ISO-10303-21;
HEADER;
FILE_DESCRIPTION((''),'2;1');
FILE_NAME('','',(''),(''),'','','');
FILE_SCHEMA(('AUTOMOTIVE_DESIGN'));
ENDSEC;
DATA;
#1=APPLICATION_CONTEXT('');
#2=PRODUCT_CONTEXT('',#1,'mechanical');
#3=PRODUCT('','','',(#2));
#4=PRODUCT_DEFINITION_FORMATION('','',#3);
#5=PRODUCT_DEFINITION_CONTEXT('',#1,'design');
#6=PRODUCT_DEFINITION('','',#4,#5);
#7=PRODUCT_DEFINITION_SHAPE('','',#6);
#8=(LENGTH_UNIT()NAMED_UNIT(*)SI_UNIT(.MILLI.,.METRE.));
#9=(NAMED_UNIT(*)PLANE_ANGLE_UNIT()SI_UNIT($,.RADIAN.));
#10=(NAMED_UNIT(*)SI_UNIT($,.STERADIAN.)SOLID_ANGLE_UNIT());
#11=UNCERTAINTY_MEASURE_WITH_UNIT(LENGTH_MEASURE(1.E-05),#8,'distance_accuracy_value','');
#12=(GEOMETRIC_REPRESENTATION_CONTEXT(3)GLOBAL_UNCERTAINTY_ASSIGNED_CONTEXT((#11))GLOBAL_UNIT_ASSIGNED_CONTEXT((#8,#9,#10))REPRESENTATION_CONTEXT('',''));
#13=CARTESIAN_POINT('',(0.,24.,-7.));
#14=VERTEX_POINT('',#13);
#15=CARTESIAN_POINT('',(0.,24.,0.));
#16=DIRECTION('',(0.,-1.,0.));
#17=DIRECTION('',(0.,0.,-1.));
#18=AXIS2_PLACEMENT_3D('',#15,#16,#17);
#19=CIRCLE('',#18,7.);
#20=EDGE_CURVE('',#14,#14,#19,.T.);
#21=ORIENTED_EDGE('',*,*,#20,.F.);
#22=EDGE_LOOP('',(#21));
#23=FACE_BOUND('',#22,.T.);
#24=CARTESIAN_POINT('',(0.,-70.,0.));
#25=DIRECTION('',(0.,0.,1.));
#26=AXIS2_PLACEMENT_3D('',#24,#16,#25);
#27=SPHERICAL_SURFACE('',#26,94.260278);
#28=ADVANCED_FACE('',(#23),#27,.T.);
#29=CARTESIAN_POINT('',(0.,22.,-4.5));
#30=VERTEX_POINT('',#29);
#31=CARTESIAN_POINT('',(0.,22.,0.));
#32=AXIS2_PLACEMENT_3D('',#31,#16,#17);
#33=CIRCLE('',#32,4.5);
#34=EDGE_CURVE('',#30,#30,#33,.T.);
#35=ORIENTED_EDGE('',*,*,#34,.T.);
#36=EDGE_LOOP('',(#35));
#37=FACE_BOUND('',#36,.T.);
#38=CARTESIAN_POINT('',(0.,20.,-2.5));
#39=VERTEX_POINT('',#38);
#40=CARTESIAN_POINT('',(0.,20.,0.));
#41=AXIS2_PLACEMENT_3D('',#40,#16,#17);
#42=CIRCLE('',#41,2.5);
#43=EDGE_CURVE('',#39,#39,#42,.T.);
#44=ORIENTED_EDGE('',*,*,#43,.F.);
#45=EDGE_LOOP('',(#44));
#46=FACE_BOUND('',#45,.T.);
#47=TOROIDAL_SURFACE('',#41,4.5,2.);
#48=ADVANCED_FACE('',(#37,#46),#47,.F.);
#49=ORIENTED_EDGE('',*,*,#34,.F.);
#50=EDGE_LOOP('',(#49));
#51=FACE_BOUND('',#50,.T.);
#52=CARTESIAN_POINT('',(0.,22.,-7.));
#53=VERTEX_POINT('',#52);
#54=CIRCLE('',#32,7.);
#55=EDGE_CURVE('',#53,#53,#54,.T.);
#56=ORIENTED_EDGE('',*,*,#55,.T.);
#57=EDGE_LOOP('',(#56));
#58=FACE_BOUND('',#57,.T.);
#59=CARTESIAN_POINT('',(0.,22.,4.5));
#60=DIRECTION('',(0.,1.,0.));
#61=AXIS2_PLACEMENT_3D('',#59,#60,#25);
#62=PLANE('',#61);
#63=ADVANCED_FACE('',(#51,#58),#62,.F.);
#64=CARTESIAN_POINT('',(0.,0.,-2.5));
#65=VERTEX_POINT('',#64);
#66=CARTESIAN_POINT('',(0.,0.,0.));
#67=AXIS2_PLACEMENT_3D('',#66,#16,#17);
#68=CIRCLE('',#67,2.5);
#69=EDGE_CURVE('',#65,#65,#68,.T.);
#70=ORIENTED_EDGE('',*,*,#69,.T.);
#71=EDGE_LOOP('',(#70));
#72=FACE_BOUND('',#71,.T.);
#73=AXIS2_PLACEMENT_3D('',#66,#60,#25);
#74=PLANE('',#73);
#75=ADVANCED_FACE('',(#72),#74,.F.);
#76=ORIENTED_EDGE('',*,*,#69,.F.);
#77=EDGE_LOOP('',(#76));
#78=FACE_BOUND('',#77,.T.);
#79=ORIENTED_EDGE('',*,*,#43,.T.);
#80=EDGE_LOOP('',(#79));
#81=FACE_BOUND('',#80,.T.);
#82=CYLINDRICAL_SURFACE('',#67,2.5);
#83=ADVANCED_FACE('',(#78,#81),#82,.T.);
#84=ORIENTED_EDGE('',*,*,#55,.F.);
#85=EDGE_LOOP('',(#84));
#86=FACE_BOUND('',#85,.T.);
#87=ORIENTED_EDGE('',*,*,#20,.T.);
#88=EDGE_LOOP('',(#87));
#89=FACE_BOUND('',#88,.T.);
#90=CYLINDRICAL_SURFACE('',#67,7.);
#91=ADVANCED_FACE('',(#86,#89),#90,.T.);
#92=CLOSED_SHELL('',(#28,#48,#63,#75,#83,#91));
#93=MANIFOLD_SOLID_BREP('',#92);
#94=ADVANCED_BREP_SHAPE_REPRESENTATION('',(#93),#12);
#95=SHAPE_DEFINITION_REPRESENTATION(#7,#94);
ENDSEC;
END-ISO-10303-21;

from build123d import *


with BuildPart() as part:
    # Sketch2 → Revolve1 (revolve)
    with BuildSketch(Plane(origin=(0, 0, 0), x_dir=(0, 0, -1), z_dir=(1, 0, 0)), mode=Mode.PRIVATE) as revolve1_sk:
        with BuildLine():
            Line((0, 0), (-2.5, 0))
            Line((-2.5, 0), (-2.5, 20))
            ThreePointArc((-2.5, 20), (-3.085786438, 21.414213562), (-4.5, 22))
            Line((-4.5, 22), (-7, 22))
            Line((-7, 22), (-7, 24))
            ThreePointArc((-7, 24), (-3.502418615, 24.195185991), (0, 24.260277954))
            Line((0, 24.260277954), (0, 0))
        make_face()
    revolve(revolve1_sk.sketch.rotate(Axis((0, 0, 0), (0, 1, 0)), 180), axis=Axis((0, 0, 0), (0, 1, 0)))


solid = part.part
